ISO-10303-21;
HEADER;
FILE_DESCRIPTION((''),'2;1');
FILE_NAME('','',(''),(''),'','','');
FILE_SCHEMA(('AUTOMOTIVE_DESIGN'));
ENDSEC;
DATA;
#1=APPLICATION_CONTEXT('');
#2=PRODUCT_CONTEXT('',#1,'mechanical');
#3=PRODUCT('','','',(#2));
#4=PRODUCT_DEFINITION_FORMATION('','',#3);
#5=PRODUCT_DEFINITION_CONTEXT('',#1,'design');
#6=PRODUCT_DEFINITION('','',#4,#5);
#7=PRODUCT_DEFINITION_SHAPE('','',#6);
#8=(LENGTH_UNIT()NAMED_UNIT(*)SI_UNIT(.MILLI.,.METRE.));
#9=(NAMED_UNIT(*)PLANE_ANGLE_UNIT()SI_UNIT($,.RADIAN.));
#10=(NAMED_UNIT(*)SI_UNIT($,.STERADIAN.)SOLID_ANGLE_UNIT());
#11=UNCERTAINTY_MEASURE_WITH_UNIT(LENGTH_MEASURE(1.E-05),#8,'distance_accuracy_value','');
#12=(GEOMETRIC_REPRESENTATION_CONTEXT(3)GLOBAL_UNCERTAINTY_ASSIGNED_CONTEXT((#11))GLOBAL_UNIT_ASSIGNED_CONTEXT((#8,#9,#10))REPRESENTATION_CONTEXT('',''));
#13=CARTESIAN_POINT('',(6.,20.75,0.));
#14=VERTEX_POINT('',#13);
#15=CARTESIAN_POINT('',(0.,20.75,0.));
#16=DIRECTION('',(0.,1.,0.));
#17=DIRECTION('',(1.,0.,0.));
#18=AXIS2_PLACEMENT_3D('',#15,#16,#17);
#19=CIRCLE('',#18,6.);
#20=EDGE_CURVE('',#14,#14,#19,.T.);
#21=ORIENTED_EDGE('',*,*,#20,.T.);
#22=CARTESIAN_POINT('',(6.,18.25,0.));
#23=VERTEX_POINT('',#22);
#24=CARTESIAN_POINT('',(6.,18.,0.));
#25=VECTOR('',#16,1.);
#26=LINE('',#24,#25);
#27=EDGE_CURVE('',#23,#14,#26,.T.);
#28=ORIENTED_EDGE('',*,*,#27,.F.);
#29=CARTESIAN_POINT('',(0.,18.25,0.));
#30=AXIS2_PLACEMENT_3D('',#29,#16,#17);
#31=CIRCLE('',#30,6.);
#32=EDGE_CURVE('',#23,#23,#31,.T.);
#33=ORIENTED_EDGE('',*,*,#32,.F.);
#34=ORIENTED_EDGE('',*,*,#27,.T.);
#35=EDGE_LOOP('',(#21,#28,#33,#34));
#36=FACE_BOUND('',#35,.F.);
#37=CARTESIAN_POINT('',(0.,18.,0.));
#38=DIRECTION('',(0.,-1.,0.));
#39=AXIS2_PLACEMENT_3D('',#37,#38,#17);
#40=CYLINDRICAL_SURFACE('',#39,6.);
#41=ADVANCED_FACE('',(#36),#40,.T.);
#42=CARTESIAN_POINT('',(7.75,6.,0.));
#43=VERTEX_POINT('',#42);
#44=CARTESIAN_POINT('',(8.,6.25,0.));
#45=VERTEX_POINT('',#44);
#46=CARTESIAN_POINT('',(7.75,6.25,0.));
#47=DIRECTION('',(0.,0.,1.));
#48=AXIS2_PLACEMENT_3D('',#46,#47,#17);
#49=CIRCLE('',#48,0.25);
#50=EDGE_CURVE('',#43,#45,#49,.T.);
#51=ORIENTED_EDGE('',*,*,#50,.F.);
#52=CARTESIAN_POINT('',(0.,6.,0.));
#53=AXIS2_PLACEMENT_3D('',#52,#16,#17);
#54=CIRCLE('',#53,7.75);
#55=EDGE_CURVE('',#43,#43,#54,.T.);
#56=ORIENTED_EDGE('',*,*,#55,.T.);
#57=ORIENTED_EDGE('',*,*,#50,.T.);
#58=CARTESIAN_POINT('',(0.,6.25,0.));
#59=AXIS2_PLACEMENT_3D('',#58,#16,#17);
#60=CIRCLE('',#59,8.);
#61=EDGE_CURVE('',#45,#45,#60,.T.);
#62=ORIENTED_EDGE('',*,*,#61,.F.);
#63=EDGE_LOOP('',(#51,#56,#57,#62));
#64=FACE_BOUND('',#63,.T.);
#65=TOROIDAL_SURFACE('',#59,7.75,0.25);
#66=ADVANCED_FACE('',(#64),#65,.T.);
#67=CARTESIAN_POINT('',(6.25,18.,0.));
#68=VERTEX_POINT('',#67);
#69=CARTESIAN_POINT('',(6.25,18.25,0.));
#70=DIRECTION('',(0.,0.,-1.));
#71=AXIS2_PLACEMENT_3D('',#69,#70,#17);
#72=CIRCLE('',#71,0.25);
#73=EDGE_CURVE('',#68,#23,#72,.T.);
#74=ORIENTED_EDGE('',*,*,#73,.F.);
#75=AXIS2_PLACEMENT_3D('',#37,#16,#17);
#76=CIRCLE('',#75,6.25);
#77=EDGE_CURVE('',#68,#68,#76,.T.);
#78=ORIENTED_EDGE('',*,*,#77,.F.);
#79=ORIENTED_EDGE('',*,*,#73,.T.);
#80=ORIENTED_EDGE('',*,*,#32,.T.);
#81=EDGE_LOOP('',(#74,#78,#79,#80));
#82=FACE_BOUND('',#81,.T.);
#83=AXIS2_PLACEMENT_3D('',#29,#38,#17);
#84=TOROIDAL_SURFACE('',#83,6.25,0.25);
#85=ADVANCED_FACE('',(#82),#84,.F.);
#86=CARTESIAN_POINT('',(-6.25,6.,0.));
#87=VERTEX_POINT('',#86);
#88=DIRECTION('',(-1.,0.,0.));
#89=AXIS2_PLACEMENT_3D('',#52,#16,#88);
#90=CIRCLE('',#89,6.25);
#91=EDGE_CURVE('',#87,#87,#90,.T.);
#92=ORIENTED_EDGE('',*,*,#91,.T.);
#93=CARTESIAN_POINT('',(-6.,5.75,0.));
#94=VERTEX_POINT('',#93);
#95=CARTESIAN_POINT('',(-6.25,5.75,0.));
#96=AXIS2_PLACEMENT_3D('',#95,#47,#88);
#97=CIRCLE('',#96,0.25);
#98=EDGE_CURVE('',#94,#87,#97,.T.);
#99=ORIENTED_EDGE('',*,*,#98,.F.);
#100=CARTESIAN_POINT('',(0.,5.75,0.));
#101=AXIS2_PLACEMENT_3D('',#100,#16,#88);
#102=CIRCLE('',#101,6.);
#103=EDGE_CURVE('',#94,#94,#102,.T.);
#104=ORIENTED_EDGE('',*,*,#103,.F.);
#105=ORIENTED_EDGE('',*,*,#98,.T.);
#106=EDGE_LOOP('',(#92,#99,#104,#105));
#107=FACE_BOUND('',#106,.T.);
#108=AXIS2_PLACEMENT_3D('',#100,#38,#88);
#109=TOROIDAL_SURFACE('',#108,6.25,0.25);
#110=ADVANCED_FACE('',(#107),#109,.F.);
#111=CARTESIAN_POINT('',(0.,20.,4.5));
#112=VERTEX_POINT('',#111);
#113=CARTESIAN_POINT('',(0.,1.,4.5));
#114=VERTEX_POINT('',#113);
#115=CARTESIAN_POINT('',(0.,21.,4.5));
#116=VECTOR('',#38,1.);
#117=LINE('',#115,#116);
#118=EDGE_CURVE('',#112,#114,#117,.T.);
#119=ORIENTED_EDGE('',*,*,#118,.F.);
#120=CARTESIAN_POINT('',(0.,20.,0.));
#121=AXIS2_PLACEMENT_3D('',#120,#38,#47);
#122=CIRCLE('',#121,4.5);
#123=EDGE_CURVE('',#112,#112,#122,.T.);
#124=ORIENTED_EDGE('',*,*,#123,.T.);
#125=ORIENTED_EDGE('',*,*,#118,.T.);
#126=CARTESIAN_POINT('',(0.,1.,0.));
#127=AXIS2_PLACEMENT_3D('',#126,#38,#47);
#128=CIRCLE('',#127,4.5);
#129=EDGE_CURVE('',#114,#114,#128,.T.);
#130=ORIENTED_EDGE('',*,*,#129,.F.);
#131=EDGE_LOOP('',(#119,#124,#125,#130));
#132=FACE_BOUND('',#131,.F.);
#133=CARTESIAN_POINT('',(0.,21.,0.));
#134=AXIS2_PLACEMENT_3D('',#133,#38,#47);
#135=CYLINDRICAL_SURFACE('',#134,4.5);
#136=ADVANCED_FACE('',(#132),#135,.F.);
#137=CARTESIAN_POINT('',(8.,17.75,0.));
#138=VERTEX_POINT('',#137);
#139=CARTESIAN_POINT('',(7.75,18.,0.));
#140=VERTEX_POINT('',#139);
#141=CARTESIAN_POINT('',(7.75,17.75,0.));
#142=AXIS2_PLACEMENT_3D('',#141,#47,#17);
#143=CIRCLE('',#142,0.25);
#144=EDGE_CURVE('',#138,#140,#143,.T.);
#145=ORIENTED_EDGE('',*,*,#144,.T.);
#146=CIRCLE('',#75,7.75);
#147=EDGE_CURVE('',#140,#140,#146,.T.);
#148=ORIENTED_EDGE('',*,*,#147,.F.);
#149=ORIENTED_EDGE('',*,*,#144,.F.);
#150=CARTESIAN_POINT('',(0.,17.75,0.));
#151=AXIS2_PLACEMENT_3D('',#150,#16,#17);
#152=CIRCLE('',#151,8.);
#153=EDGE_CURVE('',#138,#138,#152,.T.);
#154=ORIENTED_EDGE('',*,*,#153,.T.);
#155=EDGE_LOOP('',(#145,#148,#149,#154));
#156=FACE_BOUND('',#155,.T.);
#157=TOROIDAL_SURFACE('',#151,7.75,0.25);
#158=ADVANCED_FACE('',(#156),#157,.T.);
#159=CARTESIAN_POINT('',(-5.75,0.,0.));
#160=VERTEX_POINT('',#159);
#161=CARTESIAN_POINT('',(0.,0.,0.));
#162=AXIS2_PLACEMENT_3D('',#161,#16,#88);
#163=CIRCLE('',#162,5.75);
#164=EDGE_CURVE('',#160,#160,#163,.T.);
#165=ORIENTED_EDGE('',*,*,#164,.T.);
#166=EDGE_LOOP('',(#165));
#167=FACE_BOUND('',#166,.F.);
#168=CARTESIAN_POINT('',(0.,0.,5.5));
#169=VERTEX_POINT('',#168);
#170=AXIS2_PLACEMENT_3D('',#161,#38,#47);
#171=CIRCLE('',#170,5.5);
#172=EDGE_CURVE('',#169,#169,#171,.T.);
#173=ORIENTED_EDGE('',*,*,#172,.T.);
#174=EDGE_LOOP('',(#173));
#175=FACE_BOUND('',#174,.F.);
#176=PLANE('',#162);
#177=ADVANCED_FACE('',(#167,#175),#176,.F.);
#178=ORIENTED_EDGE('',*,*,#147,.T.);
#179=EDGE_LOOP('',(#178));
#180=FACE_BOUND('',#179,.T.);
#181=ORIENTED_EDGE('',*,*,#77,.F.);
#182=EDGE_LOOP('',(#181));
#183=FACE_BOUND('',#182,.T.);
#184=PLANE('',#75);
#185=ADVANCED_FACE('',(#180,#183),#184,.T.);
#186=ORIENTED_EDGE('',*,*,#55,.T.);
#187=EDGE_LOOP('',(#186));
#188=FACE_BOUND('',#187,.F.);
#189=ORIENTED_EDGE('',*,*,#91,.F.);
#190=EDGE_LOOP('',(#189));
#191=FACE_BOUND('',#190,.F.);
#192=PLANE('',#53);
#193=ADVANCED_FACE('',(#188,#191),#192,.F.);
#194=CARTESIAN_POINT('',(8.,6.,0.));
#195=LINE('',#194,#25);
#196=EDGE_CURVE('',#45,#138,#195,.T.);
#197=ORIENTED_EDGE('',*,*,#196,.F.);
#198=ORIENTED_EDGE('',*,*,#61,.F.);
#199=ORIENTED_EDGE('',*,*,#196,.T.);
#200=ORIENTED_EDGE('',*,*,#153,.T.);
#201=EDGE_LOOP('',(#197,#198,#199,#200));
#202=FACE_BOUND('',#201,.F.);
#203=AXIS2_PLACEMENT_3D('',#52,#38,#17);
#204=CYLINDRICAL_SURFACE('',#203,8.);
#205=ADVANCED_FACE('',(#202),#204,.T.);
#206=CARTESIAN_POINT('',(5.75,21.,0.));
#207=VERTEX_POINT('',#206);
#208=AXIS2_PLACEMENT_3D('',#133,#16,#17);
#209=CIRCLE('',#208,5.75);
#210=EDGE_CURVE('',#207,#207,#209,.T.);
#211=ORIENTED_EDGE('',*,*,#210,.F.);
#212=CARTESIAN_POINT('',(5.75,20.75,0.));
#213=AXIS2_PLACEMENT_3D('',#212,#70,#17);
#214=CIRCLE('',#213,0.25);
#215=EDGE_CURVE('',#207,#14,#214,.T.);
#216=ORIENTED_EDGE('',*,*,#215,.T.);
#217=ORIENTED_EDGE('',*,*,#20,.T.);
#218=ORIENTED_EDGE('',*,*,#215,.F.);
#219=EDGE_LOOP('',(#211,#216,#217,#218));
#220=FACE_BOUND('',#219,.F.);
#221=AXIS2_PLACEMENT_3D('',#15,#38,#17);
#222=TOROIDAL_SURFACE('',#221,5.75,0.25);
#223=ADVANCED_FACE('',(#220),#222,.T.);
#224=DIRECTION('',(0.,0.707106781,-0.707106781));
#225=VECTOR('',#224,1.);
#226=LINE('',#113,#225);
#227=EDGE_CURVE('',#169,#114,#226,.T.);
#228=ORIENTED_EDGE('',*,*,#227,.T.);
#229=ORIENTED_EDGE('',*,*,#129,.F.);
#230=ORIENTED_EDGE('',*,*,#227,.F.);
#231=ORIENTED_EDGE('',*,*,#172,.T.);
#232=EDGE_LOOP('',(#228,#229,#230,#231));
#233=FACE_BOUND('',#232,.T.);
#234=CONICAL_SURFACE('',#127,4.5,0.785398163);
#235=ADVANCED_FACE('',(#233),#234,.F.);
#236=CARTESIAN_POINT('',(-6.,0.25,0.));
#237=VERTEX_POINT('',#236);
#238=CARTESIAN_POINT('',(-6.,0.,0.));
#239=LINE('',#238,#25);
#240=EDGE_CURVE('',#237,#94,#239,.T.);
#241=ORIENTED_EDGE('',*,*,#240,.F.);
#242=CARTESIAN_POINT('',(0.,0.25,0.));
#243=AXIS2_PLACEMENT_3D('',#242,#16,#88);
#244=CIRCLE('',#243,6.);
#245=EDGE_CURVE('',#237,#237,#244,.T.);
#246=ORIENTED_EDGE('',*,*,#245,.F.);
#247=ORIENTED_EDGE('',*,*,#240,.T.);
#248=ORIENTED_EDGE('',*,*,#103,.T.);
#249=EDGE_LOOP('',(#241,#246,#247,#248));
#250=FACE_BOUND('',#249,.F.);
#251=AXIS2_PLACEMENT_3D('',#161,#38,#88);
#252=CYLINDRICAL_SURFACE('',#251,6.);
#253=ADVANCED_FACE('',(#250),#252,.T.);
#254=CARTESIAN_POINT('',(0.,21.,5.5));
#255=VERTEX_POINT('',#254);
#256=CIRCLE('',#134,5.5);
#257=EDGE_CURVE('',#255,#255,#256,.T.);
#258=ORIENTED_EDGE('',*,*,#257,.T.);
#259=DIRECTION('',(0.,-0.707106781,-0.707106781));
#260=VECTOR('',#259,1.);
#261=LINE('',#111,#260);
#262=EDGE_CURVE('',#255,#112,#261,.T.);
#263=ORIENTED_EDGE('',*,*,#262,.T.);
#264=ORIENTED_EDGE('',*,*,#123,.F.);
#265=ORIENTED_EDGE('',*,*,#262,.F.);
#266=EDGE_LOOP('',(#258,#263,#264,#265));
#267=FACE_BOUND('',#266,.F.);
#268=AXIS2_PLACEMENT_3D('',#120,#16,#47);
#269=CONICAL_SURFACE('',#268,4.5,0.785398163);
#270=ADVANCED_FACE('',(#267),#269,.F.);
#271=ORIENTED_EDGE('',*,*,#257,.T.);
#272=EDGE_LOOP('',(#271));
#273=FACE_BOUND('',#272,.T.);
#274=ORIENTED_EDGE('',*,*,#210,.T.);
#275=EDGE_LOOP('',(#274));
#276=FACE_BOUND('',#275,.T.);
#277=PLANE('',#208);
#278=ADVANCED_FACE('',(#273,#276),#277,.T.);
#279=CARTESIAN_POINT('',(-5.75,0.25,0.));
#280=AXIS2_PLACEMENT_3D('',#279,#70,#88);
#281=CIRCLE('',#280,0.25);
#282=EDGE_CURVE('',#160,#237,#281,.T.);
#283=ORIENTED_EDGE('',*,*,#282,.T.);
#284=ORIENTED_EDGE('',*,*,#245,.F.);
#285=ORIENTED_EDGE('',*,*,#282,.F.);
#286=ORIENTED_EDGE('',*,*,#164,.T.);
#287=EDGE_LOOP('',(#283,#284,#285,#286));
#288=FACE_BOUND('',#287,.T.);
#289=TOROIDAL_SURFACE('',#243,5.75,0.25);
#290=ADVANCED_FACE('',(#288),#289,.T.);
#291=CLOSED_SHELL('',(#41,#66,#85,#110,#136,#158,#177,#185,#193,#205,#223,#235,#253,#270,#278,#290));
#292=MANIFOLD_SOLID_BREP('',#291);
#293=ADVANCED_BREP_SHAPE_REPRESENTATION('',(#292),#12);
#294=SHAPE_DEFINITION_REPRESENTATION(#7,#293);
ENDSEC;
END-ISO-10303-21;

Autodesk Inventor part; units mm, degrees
ref_plane "YZ Plane" through (0, 0, 0) normal (1, 0, 0) x (0, 1, 0)
ref_plane "XZ Plane" through (0, 0, 0) normal (0, 1, 0) x (-1, 0, 0)
ref_plane "XY Plane" through (0, 0, 0) normal (0, 0, 1) x (1, 0, 0)
sketch "Sketch1" plane through (0, 0, 0) normal (0, 1, 0) x (-1, 0, 0)
  circle A0 centre (0, 0) radius 6
  dimension "d0" = 12
extrude "Extrusion1" add sketch "Sketch1" along normal blind 6
sketch "Sketch2" plane through (0, 6, 0) normal (0, 1, 0) x (1, 0, 0)
  circle A0 centre (0, 0) radius 8
  dimension "d3" = 16
extrude "Extrusion2" add sketch "Sketch2" along normal blind 12
sketch "Sketch3" plane through (0, 18, 0) normal (0, 1, 0) x (1, 0, 0)
  circle A0 centre (0, 0) radius 6
  dimension "d6" = 12
extrude "Extrusion3" add sketch "Sketch3" along normal blind 3
sketch "Sketch4" plane through (0, 21, 0) normal (0, 1, 0) x (1, 0, 0)
  point P0 (0, 0)
hole "Hole1" at (0, 21, 0) direction (0, -1, 0) diameter 9 end through all
chamfer "Chamfer1" distance 1 angle 45 2 edges at (0, 21, -4.5) (0, 0, -4.5)
fillet "Fillet1" radius 0.25 6 edges at (-6, 21, 0) (-6, 18, 0) (-8, 18, 0) (-8, 6, 0) (6, 0, 0) (6, 6, 0)
properties part number "Z-Abstandhalter_unten"
